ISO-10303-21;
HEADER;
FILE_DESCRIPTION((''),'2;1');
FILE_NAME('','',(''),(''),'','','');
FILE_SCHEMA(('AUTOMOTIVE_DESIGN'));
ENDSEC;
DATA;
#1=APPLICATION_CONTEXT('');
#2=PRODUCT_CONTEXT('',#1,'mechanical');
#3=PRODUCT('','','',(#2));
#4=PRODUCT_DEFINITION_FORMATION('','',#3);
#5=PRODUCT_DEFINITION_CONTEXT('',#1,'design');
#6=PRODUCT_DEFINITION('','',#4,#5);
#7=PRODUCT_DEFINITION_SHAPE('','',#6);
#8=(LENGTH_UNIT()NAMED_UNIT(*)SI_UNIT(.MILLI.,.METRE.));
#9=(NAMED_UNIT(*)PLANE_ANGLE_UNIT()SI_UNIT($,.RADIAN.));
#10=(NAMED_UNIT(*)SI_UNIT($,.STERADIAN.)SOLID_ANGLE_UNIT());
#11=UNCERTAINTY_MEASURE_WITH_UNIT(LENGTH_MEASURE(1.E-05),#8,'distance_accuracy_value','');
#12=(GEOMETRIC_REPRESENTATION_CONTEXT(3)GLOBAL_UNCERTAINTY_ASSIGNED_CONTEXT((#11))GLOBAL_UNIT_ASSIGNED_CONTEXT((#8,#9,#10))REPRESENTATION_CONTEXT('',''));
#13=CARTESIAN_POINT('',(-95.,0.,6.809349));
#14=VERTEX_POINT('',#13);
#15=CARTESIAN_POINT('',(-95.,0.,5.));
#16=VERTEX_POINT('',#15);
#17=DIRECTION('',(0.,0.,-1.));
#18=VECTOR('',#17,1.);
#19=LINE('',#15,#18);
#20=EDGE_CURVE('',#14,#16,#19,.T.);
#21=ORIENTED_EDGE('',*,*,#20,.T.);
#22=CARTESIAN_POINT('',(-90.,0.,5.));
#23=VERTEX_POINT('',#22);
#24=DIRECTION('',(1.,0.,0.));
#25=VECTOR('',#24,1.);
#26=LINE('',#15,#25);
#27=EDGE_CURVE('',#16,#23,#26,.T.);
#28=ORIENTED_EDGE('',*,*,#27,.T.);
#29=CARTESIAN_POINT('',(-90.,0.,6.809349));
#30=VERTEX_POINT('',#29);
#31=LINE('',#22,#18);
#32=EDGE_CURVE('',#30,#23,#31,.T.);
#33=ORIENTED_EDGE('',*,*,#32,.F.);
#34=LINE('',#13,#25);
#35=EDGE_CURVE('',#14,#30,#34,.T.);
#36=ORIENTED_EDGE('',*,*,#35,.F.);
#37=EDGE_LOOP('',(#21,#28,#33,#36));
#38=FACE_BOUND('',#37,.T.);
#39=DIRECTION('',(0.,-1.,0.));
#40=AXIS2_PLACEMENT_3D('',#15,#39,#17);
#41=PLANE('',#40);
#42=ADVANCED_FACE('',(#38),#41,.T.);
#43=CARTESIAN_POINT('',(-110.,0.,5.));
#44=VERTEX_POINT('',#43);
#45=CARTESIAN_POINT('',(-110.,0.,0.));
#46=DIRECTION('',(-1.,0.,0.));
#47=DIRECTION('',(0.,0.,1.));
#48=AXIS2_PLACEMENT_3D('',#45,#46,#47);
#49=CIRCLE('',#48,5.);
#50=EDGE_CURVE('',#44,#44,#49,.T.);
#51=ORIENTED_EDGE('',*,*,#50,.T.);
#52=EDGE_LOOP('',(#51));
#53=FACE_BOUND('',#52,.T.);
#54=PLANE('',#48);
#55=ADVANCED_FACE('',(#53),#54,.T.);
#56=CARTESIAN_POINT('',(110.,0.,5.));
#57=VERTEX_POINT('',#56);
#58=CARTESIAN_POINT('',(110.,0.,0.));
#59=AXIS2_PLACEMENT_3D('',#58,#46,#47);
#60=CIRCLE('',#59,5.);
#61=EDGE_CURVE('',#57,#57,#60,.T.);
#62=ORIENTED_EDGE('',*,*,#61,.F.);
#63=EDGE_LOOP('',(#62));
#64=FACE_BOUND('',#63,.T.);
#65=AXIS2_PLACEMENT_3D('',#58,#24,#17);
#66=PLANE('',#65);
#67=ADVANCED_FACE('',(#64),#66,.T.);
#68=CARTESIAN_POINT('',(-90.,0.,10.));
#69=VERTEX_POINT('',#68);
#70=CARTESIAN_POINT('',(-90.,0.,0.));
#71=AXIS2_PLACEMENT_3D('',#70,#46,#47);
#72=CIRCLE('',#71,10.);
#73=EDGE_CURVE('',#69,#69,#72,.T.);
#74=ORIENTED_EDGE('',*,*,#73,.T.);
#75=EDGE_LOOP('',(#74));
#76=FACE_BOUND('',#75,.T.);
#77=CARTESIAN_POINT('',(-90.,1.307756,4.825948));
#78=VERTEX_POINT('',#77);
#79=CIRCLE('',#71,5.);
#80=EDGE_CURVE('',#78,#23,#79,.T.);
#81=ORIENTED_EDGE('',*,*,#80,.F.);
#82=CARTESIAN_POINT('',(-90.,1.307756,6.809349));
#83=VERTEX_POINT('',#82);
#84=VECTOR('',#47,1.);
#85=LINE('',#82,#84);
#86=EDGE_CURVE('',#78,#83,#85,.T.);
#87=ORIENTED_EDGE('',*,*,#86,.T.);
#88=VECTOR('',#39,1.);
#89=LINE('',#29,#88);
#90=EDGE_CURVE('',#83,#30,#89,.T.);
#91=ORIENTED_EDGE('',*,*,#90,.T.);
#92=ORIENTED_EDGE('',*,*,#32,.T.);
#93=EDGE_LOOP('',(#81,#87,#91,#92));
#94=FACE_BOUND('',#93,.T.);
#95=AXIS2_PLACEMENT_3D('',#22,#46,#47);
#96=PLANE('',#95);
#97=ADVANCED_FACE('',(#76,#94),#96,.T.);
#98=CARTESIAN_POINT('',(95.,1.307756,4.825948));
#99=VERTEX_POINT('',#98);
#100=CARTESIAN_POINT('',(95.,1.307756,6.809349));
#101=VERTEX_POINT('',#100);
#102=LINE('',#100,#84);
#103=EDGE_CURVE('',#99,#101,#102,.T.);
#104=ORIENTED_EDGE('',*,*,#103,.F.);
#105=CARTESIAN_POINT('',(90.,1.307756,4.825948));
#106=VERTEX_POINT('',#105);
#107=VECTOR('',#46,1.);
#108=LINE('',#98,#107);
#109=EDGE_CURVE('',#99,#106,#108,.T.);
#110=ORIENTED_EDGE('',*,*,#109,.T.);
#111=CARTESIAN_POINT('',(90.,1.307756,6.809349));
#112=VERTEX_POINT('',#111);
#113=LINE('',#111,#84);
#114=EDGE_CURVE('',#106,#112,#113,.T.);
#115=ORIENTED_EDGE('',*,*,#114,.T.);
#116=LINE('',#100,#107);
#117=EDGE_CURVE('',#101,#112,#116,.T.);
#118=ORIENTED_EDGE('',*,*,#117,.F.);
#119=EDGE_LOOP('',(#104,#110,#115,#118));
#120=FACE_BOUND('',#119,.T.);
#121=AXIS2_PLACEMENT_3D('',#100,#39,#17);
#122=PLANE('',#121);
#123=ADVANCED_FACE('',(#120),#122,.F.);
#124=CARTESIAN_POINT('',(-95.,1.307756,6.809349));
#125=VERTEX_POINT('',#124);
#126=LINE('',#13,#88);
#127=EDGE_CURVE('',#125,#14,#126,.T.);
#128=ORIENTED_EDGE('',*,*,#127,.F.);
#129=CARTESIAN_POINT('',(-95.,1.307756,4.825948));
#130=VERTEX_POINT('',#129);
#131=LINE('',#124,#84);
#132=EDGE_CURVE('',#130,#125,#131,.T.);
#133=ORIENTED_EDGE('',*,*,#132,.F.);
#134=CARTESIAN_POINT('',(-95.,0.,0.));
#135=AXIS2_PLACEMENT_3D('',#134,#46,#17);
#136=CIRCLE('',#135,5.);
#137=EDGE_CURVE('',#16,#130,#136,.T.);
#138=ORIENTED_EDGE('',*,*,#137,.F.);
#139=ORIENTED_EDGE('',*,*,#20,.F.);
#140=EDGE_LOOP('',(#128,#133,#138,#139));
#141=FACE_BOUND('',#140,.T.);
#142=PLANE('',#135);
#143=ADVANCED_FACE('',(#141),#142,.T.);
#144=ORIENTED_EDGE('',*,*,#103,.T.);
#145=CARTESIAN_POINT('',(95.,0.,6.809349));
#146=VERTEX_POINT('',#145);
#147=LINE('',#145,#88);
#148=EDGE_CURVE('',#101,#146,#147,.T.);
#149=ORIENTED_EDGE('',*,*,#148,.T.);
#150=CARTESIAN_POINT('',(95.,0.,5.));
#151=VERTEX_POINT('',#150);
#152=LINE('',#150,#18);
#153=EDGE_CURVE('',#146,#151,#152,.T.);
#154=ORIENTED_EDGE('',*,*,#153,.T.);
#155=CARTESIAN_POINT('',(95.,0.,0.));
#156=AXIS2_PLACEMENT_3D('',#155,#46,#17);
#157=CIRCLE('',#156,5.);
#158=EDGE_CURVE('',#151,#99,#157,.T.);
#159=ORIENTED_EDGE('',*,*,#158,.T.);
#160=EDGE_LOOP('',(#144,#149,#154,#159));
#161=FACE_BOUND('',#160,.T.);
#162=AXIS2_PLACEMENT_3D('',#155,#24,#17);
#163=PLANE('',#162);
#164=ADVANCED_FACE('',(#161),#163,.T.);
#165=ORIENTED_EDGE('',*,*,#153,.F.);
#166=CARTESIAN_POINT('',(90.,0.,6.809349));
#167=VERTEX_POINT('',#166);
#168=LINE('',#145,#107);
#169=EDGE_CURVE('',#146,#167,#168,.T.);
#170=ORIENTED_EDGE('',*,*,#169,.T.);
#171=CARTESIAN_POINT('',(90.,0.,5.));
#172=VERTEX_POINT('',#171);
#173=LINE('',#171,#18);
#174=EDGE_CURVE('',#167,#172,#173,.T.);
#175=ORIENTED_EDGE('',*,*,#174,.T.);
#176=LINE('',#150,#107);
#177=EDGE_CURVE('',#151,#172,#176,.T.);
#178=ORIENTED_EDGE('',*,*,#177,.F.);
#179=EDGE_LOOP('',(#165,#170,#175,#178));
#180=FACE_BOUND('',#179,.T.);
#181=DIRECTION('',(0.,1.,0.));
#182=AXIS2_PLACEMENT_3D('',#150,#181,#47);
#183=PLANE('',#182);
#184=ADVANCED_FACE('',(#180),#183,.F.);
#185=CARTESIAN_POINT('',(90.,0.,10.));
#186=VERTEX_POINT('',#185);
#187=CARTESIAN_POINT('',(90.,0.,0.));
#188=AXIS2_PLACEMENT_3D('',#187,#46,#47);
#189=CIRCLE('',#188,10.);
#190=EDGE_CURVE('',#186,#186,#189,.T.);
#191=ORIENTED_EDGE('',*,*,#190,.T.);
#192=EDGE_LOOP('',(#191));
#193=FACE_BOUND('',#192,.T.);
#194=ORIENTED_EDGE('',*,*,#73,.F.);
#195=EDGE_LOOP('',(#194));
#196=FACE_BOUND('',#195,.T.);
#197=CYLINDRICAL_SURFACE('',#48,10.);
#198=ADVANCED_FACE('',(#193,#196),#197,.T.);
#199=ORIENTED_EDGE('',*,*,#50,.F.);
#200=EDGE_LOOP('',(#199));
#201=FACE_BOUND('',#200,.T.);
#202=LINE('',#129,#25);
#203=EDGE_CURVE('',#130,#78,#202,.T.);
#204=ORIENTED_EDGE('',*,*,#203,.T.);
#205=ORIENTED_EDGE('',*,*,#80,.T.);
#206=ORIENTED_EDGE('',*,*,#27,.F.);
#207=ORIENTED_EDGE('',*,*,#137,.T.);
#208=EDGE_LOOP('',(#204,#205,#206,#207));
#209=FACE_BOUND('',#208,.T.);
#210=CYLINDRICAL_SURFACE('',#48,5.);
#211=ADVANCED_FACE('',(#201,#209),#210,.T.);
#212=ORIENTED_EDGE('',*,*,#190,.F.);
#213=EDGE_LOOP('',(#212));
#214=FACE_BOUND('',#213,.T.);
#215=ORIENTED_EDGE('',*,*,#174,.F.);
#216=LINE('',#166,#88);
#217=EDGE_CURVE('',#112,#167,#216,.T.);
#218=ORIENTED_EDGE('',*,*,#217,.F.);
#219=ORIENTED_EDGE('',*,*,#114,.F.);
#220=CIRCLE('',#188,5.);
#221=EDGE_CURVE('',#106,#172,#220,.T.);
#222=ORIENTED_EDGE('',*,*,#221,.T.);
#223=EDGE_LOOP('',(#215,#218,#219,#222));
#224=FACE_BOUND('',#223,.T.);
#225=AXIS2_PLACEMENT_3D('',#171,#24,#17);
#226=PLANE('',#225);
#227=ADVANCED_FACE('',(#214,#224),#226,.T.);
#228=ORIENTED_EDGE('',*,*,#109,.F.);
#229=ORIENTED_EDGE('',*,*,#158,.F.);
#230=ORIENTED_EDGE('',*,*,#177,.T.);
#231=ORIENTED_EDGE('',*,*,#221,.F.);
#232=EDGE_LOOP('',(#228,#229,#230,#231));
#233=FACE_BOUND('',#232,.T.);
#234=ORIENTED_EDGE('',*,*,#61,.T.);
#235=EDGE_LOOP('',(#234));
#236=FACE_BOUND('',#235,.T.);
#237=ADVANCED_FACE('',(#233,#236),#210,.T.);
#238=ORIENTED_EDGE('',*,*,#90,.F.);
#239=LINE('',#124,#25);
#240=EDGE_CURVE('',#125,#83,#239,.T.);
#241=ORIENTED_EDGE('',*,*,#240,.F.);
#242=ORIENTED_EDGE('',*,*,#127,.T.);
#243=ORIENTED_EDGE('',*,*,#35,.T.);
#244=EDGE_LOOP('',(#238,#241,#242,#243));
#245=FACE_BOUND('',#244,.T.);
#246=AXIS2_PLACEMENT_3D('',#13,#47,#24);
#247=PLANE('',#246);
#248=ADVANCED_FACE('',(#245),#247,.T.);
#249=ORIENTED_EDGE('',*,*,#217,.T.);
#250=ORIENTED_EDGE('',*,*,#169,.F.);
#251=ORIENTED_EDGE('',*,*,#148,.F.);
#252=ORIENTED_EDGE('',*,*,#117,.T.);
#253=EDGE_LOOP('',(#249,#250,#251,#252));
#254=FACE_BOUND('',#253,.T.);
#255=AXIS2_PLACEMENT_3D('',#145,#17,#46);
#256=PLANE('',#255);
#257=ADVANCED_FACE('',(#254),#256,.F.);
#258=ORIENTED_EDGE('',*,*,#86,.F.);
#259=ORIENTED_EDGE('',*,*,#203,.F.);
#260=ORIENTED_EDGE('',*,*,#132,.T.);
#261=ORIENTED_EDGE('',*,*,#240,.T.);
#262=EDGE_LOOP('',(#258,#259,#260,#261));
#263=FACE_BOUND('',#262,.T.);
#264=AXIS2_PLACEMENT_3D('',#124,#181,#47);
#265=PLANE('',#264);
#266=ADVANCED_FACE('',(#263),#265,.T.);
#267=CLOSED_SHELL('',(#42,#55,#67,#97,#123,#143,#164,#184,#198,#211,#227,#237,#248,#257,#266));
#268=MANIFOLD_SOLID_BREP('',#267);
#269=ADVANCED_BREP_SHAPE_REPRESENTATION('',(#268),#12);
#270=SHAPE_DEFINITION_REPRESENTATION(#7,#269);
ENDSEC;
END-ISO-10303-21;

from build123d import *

# Parameters (mm, degrees)
BOSS_EXTRUDE1_DEPTH = 5


with BuildPart() as part:
    # Sketch1 → Revolve1 (revolve)
    with BuildSketch(Plane(origin=(0, 0, 0), x_dir=(1, 0, 0), z_dir=(0, 1, 0))):
        Polygon((-110, 0), (110, 0), (110, -5), (90, -5), (90, -10), (-90, -10), (-90, -5), (-110, -5), align=None)
    revolve(axis=Axis((-110, 0, 0), (1, 0, 0)))

    # Sketch2 → Boss-Extrude1 (add)
    with BuildSketch(Plane(origin=(90, 0, 0), x_dir=(0, 0, -1), z_dir=(1, 0, 0))):
        with BuildLine():
            Line((-5, 0), (-6.809348939, 0))
            Line((-6.809348939, 0), (-6.809348939, 1.307755756))
            Line((-6.809348939, 1.307755756), (-4.825948081, 1.307755756))
            ThreePointArc((-4.825948081, 1.307755756), (-4.956296016, 0.65964369), (-5, 0))
        make_face()
    boss_extrude1 = extrude(amount=BOSS_EXTRUDE1_DEPTH)

    # Mirror1: Boss-Extrude1 across plane
    add(boss_extrude1.mirror(Plane(origin=(0, 0, 0), x_dir=(0, 0, 1), z_dir=(1, 0, 0))))


solid = part.part
